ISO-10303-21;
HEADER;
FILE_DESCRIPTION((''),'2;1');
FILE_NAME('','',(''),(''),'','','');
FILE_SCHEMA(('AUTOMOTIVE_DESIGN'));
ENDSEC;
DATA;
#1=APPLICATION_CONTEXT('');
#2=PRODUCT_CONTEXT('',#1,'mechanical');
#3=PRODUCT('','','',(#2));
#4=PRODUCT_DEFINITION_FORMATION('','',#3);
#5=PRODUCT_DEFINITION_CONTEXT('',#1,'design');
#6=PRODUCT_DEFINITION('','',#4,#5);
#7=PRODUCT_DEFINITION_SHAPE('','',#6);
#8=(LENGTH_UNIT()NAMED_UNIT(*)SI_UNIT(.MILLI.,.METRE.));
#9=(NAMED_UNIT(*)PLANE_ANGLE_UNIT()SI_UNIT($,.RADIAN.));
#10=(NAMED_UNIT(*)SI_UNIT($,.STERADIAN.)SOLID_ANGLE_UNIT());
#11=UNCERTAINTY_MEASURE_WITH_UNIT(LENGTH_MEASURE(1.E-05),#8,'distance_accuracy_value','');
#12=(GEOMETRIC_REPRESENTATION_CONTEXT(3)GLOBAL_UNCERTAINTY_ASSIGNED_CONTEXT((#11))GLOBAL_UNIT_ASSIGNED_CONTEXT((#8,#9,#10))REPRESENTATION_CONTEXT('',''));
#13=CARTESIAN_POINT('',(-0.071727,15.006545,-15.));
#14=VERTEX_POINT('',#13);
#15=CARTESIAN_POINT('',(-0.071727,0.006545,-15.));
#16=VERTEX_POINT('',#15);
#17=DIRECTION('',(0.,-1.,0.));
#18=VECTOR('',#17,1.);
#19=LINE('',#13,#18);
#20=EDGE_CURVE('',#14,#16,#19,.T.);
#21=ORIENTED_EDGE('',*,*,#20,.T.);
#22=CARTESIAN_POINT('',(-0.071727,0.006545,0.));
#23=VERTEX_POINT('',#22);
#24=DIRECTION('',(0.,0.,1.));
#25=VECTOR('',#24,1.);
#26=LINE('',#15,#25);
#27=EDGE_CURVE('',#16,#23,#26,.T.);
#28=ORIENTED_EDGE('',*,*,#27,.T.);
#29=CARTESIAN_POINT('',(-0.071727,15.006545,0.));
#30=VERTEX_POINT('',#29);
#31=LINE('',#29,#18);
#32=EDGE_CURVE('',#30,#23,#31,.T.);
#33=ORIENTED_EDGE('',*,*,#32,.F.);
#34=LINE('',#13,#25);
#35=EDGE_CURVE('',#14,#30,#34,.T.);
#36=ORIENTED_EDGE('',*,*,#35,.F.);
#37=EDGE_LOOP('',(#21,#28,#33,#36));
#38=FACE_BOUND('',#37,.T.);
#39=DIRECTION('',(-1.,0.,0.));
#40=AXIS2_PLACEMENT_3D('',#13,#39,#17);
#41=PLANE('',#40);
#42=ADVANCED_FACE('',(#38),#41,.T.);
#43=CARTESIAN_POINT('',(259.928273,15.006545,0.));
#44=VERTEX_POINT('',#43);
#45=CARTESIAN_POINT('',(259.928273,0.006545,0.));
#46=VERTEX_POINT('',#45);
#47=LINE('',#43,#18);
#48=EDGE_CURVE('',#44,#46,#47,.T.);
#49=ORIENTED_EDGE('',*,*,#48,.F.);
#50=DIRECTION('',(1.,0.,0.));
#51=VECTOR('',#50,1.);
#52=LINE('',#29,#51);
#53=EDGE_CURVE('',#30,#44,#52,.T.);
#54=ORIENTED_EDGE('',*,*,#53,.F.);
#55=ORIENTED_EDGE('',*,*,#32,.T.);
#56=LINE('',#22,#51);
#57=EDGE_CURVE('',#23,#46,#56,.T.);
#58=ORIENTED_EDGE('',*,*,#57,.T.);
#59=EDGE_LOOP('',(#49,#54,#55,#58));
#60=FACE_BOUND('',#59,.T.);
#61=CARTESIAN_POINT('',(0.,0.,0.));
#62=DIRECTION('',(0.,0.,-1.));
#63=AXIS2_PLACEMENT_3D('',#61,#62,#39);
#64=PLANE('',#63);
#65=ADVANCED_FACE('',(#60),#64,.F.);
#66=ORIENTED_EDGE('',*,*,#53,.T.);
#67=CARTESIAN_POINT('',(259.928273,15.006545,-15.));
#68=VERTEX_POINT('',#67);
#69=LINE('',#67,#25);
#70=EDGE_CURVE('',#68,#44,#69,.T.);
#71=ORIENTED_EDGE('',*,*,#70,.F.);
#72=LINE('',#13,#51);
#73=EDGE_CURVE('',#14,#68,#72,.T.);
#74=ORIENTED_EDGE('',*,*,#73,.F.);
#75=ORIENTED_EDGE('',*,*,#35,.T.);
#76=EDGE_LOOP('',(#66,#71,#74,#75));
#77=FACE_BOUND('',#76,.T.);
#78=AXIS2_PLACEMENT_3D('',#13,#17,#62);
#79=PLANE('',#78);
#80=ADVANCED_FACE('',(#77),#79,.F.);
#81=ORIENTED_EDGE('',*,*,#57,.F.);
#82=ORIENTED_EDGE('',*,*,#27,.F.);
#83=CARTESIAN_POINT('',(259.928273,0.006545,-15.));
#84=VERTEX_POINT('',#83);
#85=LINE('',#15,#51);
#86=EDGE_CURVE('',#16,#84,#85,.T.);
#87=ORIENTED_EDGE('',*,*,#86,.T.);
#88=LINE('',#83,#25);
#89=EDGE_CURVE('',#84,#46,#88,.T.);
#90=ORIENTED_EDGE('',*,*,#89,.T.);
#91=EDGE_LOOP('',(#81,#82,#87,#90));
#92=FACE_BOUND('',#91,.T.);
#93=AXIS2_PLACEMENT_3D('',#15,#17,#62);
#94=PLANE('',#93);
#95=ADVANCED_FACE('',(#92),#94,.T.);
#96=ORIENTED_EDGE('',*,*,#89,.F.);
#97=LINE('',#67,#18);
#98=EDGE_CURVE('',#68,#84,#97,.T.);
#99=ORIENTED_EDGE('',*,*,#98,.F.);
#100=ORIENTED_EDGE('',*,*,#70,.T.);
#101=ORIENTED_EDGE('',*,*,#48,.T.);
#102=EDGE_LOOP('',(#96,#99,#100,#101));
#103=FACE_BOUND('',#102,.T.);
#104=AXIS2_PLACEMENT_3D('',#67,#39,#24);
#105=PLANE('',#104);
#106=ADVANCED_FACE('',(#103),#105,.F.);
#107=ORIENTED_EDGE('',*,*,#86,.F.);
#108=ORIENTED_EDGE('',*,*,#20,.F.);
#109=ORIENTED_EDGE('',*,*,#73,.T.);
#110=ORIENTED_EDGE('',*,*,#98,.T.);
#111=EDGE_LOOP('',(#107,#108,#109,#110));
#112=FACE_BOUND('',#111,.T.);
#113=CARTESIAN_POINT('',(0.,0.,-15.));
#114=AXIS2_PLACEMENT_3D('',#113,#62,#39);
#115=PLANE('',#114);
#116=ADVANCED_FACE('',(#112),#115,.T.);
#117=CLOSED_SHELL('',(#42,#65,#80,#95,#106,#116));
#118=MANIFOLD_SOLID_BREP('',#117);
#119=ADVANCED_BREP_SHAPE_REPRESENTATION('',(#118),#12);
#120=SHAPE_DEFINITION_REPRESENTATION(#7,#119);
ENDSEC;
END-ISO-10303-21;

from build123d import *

# Parameters (mm, degrees)
SKETCH1_W           = 260
SKETCH1_H           = 15
BOSS_EXTRUDE3_DEPTH = 15


with BuildPart() as part:
    # Sketch1 → Boss-Extrude3 (new body)
    with BuildSketch(Plane.XY):
        with Locations((129.928272727, 7.506545455)):
            Rectangle(SKETCH1_W, SKETCH1_H)
    extrude(amount=-BOSS_EXTRUDE3_DEPTH)


solid = part.part
